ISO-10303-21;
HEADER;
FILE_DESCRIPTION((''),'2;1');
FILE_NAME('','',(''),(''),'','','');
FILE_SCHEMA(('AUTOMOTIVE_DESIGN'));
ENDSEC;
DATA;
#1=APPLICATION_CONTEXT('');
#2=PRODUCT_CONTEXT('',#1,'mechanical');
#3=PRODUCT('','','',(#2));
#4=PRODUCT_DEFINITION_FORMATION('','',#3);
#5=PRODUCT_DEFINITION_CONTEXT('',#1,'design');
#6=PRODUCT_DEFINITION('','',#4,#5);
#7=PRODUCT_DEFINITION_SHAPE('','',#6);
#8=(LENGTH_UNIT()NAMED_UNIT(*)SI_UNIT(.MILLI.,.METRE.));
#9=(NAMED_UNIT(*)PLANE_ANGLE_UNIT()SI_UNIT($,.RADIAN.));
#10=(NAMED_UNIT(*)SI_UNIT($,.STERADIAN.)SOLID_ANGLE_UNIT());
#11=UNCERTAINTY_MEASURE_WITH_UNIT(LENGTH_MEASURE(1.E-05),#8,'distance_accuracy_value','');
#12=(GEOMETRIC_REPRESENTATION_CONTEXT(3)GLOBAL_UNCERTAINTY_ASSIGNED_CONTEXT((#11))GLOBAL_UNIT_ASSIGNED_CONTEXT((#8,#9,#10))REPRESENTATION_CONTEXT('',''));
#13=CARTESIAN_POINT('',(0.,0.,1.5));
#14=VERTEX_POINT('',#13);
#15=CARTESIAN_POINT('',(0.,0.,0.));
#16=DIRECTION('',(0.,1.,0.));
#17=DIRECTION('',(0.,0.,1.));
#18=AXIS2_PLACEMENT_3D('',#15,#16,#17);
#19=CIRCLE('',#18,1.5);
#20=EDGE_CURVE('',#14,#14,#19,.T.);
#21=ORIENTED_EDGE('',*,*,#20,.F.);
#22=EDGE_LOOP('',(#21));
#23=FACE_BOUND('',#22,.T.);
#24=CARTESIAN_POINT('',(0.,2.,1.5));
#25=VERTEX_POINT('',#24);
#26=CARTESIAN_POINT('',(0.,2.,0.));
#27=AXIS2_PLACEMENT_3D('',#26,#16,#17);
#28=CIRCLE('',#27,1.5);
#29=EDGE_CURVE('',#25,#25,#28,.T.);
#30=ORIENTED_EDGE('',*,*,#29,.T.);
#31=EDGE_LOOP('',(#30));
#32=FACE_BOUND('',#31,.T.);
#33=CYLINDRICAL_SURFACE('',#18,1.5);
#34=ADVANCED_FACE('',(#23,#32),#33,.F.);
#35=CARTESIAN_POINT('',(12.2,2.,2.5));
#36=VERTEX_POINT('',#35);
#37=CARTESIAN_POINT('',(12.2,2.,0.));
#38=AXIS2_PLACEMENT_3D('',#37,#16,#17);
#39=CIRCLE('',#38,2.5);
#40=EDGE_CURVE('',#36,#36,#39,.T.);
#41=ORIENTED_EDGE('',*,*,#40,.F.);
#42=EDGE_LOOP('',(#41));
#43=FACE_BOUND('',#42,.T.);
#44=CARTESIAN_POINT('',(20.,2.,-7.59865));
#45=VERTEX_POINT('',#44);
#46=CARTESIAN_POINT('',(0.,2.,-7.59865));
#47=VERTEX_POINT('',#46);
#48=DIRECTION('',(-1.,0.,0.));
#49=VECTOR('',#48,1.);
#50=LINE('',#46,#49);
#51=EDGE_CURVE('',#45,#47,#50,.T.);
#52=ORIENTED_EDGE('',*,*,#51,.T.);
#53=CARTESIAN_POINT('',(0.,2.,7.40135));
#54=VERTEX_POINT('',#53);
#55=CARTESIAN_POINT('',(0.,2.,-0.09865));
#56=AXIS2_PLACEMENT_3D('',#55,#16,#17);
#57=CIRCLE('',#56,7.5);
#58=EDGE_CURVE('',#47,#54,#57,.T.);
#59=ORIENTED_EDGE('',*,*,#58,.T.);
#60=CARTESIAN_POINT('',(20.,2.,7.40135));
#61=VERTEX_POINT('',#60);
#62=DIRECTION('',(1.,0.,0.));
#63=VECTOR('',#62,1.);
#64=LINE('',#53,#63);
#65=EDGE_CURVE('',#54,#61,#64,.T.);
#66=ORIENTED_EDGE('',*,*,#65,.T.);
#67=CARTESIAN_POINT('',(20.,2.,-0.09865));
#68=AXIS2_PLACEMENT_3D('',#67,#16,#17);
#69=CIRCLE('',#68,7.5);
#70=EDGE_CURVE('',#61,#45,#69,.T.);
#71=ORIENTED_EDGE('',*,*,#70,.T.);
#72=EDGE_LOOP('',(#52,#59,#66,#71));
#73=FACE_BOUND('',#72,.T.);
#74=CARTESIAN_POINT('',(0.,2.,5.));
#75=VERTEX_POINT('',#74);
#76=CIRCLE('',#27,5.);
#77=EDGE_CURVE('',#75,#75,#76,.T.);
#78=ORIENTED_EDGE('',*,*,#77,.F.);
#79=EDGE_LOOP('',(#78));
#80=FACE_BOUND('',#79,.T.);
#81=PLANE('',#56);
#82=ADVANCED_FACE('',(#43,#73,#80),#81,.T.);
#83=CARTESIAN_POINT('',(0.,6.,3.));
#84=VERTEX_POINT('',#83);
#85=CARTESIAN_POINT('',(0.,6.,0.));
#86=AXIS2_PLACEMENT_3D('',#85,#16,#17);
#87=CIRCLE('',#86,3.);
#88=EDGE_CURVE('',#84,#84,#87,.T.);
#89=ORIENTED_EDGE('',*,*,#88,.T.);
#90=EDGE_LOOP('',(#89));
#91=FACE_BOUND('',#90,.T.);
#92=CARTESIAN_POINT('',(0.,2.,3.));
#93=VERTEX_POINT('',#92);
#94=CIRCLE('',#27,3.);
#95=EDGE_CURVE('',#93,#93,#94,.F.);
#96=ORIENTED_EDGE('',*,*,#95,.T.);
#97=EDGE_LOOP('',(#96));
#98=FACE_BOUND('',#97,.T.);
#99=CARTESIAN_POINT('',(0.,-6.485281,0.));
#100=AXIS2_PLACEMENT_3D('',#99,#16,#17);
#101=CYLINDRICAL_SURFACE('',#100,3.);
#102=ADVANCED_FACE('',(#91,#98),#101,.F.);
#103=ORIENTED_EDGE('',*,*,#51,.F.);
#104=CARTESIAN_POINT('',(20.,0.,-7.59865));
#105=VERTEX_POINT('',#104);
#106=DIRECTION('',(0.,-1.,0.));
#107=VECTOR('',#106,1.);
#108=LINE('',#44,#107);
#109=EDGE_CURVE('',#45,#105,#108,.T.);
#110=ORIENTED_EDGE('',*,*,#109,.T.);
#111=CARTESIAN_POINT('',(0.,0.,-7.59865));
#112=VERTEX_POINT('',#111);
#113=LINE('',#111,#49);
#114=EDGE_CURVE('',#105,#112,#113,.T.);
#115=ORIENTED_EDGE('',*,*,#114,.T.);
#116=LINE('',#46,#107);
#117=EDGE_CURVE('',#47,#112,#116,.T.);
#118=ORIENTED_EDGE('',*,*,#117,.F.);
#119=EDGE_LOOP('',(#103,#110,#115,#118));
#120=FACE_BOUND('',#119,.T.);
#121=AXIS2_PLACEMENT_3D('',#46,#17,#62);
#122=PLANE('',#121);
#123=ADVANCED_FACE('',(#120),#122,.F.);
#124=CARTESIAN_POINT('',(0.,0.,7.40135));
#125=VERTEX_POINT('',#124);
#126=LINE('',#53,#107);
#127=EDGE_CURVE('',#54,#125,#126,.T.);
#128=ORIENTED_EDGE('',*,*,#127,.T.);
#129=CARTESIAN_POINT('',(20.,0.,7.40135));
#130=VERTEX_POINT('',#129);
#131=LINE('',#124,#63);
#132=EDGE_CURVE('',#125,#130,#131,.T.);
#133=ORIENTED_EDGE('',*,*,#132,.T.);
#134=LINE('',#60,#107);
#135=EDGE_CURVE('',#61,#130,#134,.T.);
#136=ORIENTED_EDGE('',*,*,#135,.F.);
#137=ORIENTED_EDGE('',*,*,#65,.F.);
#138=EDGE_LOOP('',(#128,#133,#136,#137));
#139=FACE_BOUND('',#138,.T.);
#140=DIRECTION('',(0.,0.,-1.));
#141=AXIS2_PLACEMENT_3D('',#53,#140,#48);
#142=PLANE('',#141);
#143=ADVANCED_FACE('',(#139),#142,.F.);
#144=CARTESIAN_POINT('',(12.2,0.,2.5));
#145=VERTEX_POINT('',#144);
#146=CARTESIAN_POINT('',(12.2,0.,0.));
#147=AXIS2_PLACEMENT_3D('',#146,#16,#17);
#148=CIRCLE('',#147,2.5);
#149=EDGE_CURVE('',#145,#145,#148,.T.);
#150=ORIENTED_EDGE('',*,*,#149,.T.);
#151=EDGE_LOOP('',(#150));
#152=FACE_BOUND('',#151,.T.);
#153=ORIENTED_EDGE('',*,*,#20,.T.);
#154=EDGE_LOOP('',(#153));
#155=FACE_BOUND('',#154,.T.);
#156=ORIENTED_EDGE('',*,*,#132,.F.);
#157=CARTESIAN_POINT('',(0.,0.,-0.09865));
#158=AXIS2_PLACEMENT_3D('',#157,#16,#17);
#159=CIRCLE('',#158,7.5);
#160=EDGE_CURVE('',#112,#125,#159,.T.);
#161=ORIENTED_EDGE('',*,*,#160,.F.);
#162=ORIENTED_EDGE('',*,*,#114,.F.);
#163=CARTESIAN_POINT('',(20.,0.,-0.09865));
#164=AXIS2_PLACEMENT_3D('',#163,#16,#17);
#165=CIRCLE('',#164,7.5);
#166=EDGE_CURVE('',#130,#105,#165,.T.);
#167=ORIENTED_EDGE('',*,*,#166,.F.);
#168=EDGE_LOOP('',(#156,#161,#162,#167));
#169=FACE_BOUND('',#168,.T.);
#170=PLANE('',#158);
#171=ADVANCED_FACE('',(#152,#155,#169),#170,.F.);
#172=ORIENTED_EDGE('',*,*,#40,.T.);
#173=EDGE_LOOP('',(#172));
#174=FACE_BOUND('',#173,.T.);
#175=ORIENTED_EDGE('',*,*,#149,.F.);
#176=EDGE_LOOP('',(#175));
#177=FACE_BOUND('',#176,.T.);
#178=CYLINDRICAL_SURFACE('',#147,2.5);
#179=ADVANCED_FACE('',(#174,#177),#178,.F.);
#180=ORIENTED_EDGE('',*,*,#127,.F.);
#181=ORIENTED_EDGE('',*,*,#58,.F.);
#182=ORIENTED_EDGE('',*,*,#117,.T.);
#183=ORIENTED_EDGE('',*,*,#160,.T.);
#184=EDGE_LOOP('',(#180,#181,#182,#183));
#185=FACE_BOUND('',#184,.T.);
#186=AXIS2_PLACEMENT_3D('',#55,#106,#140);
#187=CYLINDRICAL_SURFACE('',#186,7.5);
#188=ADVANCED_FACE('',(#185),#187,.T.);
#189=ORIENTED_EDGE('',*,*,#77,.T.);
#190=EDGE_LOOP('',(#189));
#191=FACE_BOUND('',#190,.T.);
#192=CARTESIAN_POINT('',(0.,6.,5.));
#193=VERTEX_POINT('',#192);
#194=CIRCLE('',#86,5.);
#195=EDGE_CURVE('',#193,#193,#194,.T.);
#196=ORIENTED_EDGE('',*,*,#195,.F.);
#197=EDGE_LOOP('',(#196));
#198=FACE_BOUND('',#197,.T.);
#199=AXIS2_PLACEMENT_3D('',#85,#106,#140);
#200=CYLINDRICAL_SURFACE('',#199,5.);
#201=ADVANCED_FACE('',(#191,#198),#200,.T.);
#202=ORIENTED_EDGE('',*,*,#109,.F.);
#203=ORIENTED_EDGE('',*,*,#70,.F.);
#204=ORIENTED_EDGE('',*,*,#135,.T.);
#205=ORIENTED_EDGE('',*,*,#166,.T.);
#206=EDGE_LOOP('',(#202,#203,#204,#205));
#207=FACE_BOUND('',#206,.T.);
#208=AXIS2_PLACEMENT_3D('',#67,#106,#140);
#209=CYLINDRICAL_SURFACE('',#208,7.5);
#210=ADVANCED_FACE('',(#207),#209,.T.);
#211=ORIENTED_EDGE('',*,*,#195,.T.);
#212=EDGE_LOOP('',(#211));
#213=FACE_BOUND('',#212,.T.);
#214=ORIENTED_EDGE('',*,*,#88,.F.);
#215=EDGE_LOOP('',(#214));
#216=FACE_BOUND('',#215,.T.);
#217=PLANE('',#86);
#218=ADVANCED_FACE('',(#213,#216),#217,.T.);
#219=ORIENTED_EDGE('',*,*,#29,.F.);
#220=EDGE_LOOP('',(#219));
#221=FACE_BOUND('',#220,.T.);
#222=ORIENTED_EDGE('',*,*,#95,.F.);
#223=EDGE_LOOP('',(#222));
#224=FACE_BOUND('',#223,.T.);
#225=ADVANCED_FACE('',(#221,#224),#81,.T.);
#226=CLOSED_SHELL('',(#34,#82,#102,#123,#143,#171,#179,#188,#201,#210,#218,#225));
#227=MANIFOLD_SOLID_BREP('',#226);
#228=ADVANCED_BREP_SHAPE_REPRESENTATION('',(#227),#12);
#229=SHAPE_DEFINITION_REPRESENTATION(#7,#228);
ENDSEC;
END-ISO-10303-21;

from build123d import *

# Parameters (mm, degrees)
BOSS_EXTRUDE1_DEPTH = 2
SKETCH2_R           = 5
BOSS_EXTRUDE3_DEPTH = 4
SKETCH5_R           = 3
CUT_EXTRUDE1_DEPTH  = 4
SKETCH6_R           = 1.5
CUT_EXTRUDE2_DEPTH  = 2
SKETCH7_R           = 2.5
CUT_EXTRUDE4_DEPTH  = 3


with BuildPart() as part:
    # Sketch1 → Boss-Extrude1 (new body)
    with BuildSketch(Plane(origin=(0, 0, 0), x_dir=(1, 0, 0), z_dir=(0, 1, 0))):
        with BuildLine():
            Line((0, 7.598649923), (20, 7.598649923))
            ThreePointArc((20, 7.598649923), (27.5, 0.098649923), (20, -7.401350077))
            Line((20, -7.401350077), (0, -7.401350077))
            ThreePointArc((0, -7.401350077), (-7.5, 0.098649923), (0, 7.598649923))
        make_face()
    extrude(amount=BOSS_EXTRUDE1_DEPTH)

    # Sketch2 → Boss-Extrude3 (add)
    with BuildSketch(Plane(origin=(0, 2, 0), x_dir=(1, 0, 0), z_dir=(0, 1, 0))):
        Circle(SKETCH2_R)
    extrude(amount=BOSS_EXTRUDE3_DEPTH)

    # Sketch5 → Cut-Extrude1 (cut)
    with BuildSketch(Plane(origin=(0, 6, 0), x_dir=(1, 0, 0), z_dir=(0, 1, 0))):
        Circle(SKETCH5_R)
    extrude(amount=-CUT_EXTRUDE1_DEPTH, mode=Mode.SUBTRACT)

    # Sketch6 → Cut-Extrude2 (cut)
    with BuildSketch(Plane(origin=(0, 2, 0), x_dir=(1, 0, 0), z_dir=(0, 1, 0))):
        Circle(SKETCH6_R)
    extrude(amount=-CUT_EXTRUDE2_DEPTH, mode=Mode.SUBTRACT)

    # Sketch7 → Cut-Extrude4 (cut, through all)
    with BuildSketch(Plane(origin=(0, 2, 0), x_dir=(1, 0, 0), z_dir=(0, 1, 0))):
        with Locations((12.2, 0)):
            Circle(SKETCH7_R)
    extrude(amount=-CUT_EXTRUDE4_DEPTH, mode=Mode.SUBTRACT)


solid = part.part
